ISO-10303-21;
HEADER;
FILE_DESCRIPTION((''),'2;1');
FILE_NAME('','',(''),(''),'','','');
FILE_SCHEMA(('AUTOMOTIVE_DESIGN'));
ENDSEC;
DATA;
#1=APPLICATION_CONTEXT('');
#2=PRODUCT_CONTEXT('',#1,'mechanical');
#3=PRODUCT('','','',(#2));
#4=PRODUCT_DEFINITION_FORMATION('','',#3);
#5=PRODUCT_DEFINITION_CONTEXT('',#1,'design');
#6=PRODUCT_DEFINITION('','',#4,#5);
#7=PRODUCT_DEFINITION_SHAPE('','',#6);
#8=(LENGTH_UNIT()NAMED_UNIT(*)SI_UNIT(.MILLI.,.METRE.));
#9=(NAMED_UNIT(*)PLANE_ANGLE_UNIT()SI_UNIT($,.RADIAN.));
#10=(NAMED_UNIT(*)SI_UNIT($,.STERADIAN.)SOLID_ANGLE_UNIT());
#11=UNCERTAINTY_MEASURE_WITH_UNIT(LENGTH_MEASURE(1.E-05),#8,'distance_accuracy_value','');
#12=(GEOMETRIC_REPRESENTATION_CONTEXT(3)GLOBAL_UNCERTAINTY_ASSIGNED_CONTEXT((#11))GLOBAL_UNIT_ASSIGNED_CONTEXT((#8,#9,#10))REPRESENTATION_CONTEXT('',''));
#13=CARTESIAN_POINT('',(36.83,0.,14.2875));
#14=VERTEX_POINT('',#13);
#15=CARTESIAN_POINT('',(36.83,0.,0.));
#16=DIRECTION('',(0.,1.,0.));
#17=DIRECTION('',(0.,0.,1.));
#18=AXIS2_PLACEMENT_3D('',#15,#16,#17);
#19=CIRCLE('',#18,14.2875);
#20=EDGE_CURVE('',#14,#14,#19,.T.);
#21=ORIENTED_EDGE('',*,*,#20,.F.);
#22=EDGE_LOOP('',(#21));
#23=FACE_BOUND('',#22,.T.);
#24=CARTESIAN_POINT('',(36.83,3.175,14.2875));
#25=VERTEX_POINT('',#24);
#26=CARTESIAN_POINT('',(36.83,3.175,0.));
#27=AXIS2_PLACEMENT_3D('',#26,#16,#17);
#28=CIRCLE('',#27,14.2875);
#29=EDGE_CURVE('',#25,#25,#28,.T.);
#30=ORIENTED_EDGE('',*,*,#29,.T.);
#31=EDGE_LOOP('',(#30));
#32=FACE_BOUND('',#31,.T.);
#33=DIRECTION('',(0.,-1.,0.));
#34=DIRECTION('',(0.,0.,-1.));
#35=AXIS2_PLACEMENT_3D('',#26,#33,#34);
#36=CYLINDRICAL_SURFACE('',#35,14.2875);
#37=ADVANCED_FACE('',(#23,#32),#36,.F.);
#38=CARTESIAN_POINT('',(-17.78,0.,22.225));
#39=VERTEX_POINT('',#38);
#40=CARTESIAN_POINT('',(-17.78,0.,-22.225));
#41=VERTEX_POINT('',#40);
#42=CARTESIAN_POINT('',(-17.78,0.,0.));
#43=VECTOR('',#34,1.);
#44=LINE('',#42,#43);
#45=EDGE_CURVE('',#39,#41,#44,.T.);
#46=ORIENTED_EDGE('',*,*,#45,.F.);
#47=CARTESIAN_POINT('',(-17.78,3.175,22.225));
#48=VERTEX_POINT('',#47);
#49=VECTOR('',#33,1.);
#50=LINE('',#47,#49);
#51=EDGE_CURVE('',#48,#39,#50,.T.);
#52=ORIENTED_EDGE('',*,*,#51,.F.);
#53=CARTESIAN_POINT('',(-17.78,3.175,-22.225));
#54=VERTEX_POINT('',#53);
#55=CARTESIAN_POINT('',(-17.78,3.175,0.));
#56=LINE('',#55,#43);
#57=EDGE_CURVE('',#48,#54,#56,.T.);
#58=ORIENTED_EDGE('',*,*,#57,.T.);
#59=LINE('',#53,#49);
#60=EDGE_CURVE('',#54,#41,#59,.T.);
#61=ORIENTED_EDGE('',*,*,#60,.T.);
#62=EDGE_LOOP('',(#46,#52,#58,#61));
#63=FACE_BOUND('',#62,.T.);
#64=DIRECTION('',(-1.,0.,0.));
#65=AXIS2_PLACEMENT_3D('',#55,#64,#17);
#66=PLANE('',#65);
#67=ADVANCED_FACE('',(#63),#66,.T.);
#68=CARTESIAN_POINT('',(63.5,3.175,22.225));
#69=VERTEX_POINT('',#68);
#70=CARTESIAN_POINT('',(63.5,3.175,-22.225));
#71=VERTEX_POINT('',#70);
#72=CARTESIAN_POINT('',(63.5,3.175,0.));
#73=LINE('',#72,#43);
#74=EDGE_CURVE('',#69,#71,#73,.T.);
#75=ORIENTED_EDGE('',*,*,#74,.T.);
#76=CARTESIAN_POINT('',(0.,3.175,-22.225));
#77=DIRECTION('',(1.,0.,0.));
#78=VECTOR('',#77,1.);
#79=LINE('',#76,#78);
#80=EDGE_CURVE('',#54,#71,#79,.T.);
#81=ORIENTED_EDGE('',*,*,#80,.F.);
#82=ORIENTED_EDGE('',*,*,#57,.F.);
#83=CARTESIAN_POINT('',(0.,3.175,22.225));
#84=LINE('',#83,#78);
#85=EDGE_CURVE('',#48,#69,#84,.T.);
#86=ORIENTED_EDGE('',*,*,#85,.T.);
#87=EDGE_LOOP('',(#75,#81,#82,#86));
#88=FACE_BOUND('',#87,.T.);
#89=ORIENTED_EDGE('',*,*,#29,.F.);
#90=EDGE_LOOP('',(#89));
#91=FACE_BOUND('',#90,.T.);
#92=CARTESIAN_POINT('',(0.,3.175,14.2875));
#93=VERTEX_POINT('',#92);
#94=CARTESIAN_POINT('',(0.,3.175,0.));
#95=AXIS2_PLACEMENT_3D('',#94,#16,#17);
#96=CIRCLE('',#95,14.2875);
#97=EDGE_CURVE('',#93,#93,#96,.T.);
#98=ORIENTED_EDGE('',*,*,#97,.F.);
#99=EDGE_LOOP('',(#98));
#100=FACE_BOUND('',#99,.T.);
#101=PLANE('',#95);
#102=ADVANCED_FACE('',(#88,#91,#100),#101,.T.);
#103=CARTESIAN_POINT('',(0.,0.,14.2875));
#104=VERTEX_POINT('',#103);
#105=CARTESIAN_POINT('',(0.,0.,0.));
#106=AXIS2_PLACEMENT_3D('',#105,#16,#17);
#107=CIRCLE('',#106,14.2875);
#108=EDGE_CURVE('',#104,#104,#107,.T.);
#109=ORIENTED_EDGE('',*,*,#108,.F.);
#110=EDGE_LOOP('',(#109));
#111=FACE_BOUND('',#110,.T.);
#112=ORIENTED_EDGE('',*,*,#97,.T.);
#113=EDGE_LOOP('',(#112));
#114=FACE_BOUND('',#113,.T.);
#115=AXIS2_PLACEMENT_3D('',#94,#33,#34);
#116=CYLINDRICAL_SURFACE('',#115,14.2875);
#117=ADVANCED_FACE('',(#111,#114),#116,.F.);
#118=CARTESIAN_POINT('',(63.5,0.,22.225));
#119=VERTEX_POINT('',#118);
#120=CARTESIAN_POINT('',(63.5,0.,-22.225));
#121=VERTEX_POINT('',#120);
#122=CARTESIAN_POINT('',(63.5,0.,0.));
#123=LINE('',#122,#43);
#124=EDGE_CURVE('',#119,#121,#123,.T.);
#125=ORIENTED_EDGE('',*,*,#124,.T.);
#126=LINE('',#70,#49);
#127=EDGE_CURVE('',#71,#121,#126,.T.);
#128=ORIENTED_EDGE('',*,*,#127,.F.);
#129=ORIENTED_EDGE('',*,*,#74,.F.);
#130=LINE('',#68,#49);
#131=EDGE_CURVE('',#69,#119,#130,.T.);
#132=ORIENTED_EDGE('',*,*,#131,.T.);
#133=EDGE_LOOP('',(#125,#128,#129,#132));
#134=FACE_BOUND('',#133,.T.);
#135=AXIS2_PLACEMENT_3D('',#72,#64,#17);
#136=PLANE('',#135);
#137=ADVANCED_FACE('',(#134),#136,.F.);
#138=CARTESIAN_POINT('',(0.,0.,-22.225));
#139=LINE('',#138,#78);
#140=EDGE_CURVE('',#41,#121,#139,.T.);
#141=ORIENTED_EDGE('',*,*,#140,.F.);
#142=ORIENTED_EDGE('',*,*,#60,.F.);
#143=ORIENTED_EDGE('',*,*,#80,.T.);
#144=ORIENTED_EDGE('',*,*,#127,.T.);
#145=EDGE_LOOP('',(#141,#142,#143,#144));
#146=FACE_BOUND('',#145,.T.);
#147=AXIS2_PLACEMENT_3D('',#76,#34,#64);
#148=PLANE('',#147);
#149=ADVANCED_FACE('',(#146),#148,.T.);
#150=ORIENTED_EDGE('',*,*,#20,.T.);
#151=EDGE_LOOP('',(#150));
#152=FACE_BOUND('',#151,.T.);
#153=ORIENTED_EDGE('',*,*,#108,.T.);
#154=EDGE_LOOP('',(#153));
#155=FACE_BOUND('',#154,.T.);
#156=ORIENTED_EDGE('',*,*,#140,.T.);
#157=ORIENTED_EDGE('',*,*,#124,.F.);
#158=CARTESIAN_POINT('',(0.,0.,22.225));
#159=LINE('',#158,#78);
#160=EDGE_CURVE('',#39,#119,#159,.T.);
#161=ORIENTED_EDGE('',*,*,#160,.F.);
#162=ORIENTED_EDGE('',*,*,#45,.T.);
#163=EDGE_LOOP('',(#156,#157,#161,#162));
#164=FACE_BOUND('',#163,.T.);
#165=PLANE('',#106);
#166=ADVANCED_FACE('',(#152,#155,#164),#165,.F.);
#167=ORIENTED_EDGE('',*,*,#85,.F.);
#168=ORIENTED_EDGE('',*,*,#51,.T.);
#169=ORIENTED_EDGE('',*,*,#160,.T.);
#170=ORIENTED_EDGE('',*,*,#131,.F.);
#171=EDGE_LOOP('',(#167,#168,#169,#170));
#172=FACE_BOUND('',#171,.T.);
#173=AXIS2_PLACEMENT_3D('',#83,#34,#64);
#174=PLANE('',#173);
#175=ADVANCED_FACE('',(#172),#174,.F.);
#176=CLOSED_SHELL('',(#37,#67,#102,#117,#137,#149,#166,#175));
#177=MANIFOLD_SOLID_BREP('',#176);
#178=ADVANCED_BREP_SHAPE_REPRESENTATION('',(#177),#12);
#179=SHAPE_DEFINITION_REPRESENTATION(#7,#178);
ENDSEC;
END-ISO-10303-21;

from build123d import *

# Parameters (mm, degrees)
SKETCH1_W           = 81.28
SKETCH1_H           = 44.45
SKETCH1_R           = 14.2875
BOSS_EXTRUDE1_DEPTH = 3.175


with BuildPart() as part:
    # Sketch1 → Boss-Extrude1 (new body)
    with BuildSketch(Plane(origin=(0, 0, 0), x_dir=(1, 0, 0), z_dir=(0, 1, 0))):
        with Locations((22.86, 0)):
            Rectangle(SKETCH1_W, SKETCH1_H)
        with Locations(Location((36.83, 0, 0), (0, 0, 270))):
            Circle(SKETCH1_R, mode=Mode.SUBTRACT)
        with Locations(Location((0, 0, 0), (0, 0, 270))):
            Circle(SKETCH1_R, mode=Mode.SUBTRACT)
    extrude(amount=BOSS_EXTRUDE1_DEPTH)


solid = part.part
